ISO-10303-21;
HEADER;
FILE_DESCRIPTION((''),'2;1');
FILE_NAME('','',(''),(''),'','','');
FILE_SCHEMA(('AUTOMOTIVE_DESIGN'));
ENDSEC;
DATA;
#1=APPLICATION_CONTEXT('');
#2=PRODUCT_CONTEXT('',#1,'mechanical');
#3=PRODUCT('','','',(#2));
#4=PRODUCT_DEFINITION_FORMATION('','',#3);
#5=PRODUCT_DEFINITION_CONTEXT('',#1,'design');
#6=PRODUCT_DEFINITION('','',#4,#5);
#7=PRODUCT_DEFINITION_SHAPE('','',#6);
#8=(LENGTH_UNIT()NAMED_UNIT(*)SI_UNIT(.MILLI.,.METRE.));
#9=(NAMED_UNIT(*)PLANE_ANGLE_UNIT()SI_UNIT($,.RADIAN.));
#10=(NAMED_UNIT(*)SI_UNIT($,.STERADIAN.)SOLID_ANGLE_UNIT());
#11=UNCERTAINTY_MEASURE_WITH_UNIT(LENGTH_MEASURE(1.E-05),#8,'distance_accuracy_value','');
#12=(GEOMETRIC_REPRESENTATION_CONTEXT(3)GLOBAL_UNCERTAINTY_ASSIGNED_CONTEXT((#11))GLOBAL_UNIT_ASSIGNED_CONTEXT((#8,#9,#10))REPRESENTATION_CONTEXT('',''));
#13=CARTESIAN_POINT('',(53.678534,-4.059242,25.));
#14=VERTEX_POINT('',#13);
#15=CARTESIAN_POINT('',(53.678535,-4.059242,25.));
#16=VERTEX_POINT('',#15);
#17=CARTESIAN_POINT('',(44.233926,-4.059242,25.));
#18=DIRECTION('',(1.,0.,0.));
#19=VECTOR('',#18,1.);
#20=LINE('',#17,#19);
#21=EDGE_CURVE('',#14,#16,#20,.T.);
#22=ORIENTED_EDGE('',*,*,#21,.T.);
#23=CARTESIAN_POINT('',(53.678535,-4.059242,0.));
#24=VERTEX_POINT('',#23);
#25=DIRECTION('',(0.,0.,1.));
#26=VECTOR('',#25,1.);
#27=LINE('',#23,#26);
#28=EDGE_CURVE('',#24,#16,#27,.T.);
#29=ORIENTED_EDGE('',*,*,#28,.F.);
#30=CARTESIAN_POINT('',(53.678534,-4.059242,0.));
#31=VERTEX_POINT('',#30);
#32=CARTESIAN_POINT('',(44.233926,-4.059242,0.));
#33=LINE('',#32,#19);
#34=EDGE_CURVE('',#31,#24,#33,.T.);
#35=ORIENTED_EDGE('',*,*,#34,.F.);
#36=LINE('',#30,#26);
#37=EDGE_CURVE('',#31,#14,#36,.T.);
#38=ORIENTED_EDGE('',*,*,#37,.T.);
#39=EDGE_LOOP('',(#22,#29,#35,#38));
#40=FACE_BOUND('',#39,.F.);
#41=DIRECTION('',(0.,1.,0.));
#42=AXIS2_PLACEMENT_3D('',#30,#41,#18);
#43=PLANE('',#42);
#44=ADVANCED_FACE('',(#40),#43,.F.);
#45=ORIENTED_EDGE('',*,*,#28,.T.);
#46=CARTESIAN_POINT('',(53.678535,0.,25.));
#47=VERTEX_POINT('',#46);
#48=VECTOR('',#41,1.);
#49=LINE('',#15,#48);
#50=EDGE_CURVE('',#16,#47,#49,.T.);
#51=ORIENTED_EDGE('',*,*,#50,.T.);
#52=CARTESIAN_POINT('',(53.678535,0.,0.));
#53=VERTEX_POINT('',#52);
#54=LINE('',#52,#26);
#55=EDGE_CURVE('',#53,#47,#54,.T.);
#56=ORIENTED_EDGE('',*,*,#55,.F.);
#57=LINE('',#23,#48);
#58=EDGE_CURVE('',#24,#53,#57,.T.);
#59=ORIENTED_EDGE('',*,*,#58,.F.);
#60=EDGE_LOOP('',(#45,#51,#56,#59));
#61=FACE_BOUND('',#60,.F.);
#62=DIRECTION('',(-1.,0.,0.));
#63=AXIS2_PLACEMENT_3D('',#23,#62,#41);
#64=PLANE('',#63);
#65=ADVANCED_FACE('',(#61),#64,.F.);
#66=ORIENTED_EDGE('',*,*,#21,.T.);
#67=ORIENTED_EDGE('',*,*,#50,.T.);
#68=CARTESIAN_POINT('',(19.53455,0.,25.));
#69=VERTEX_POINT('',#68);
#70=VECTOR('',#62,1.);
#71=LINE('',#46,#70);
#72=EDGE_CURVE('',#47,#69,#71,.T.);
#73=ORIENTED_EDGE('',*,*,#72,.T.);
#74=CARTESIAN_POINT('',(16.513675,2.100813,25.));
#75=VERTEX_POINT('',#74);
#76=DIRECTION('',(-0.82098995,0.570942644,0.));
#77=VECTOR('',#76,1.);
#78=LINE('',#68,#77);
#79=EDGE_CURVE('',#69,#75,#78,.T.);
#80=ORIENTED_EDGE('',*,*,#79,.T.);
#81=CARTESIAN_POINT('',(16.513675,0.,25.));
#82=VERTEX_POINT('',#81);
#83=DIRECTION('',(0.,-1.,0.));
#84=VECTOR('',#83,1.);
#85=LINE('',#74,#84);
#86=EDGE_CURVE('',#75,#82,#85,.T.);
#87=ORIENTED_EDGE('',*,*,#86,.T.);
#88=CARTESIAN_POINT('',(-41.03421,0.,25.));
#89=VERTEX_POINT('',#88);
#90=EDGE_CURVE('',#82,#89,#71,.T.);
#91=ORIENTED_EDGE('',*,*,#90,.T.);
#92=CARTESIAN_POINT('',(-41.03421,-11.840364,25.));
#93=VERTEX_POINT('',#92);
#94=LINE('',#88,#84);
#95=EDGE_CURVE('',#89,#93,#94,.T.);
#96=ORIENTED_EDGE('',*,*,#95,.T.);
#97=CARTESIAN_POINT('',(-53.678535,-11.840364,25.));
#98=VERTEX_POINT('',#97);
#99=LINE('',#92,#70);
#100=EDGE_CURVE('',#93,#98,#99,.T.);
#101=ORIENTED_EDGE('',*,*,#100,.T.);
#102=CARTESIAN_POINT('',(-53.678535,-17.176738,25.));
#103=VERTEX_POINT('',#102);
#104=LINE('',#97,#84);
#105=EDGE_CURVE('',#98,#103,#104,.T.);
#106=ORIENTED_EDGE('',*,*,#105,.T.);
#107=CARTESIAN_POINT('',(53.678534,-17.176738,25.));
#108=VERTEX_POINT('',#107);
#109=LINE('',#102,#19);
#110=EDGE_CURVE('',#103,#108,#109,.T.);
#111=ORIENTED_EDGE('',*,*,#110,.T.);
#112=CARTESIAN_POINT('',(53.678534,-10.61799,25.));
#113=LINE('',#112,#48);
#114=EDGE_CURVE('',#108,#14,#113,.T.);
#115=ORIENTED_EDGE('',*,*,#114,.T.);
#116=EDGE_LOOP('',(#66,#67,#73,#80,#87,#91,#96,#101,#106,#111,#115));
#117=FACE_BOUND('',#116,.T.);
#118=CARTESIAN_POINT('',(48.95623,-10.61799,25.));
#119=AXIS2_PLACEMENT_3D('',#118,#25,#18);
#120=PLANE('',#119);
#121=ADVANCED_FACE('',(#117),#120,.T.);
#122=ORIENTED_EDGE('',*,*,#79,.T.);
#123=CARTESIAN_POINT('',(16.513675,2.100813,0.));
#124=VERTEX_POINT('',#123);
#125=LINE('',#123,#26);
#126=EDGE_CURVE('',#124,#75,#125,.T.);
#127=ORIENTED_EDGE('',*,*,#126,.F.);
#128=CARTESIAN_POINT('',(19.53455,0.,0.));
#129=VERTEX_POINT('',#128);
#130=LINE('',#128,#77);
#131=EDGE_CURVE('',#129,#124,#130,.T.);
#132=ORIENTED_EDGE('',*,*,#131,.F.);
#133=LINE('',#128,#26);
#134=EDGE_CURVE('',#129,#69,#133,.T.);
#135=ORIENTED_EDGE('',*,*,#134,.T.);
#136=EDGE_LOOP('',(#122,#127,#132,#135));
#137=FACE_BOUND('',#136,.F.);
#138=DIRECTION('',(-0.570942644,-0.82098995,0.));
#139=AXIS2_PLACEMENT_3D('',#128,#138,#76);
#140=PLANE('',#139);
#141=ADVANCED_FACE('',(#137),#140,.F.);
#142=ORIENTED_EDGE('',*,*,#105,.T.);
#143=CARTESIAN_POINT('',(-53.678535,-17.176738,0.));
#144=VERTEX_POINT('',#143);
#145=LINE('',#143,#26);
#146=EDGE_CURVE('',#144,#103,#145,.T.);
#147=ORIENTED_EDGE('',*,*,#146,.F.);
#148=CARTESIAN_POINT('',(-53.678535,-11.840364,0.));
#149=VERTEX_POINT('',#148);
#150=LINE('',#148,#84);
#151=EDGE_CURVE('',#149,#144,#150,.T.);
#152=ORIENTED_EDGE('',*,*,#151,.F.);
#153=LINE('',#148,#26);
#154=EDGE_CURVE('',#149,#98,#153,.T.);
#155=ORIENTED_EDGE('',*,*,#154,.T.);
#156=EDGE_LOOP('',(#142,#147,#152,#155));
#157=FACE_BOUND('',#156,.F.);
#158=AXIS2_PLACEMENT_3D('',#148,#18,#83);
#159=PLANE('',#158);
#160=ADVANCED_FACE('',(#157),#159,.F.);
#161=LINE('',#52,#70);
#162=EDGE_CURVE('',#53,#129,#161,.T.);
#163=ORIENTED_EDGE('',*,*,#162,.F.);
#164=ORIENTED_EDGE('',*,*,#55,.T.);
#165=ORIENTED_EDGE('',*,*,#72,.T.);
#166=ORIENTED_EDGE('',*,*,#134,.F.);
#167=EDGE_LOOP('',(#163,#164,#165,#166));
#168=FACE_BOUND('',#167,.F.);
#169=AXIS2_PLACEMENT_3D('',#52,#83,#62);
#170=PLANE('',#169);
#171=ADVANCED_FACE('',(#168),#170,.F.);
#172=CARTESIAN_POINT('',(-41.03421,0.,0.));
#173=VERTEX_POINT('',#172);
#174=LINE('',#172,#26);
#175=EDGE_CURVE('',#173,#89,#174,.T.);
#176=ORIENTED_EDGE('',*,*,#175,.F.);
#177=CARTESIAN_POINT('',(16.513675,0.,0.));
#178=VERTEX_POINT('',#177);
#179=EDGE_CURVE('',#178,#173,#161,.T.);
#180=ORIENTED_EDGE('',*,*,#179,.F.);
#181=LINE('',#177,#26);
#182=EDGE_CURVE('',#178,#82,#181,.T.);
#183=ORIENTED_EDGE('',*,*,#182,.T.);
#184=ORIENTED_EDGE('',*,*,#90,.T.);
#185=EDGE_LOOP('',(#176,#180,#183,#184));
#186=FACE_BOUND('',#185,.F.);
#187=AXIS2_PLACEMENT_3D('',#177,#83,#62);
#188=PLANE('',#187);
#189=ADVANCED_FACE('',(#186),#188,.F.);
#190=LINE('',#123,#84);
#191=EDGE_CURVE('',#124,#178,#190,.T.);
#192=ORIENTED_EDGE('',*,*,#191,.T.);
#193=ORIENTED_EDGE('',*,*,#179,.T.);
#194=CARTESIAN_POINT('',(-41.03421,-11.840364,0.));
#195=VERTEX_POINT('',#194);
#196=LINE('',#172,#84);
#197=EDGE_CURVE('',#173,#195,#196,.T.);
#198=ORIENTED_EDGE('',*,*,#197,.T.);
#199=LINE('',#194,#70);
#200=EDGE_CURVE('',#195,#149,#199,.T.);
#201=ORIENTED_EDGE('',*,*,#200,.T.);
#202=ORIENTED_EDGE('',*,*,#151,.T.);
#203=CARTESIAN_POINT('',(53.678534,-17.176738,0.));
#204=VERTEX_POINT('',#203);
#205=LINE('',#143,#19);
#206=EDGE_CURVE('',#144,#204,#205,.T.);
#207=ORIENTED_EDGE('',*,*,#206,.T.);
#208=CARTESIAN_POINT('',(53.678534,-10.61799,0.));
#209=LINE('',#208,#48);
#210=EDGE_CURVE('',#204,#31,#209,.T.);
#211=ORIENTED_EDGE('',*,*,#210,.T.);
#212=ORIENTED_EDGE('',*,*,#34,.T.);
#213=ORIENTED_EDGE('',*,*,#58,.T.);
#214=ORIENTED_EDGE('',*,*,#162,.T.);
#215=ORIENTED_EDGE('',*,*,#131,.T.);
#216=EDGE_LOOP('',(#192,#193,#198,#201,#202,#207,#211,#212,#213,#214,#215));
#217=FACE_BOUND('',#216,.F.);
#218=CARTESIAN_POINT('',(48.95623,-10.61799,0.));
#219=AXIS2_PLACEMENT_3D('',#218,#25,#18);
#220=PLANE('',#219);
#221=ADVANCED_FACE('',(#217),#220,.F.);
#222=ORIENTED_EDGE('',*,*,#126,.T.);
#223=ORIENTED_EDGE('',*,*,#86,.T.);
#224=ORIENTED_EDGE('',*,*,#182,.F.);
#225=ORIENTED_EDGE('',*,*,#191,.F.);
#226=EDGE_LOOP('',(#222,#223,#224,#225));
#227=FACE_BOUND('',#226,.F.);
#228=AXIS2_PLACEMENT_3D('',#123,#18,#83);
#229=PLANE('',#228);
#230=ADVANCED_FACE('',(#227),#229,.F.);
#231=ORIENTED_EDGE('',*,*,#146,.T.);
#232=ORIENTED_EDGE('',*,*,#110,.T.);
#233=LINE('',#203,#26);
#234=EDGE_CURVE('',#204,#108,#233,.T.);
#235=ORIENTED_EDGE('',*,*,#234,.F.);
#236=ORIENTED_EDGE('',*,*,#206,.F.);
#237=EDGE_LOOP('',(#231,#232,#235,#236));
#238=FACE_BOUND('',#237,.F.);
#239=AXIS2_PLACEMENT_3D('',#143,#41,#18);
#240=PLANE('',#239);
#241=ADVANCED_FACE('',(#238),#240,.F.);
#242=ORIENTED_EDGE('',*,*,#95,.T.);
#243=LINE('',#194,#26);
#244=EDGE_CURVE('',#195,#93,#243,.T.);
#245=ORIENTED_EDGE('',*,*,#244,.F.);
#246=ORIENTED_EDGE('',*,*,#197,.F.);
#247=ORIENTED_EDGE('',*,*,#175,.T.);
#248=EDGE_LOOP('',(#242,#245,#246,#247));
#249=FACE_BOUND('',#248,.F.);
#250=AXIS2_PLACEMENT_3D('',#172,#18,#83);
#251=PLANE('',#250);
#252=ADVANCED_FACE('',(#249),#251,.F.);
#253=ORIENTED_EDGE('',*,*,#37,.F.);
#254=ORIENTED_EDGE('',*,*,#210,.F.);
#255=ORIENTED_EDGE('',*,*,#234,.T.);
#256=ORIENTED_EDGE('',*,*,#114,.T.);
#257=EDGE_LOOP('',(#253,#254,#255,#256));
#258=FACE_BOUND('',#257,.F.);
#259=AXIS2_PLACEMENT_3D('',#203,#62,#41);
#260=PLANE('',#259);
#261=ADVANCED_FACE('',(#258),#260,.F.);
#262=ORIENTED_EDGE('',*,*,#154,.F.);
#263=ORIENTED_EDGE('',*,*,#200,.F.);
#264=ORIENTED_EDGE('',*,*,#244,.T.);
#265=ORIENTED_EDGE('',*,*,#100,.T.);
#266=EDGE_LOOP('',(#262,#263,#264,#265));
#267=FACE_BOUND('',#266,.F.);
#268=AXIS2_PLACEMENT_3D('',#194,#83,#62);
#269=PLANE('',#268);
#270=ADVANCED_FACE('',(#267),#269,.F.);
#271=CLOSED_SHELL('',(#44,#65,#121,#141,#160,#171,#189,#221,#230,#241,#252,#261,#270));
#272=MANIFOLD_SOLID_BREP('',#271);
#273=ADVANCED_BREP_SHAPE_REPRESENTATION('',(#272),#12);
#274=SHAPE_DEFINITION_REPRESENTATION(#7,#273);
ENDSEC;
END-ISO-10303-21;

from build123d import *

# Parameters (mm, degrees)
F0_W     = 9.444609
F0_H     = 13.117496
F1_DEPTH = 25


with BuildPart() as f1:
    # F0 (on Top) → F1 (new body)
    with BuildSketch(Plane.XY):
        with Locations((48.95623, -10.61799)):
            Rectangle(F0_W, F0_H)
        Polygon((19.53455, 0), (44.233926, -17.176738), (44.233926, -4.059242), (53.678535, -4.059242), (49.502895, 0), align=None)
        Polygon((-53.678535, -17.176738), (44.233926, -17.176738), (19.53455, 0), (16.513675, 0), (11.002047, 0), (-24.868423, 0), (-41.03421, 0), (-41.03421, -11.840364), (-53.678535, -11.840364), align=None)
        Polygon((49.502895, 0), (53.678535, -4.059242), (53.678535, 0), align=None)
        Polygon((16.513675, 0), (19.53455, 0), (16.513675, 2.100813), align=None)
    extrude(amount=F1_DEPTH)


solid = f1.part
